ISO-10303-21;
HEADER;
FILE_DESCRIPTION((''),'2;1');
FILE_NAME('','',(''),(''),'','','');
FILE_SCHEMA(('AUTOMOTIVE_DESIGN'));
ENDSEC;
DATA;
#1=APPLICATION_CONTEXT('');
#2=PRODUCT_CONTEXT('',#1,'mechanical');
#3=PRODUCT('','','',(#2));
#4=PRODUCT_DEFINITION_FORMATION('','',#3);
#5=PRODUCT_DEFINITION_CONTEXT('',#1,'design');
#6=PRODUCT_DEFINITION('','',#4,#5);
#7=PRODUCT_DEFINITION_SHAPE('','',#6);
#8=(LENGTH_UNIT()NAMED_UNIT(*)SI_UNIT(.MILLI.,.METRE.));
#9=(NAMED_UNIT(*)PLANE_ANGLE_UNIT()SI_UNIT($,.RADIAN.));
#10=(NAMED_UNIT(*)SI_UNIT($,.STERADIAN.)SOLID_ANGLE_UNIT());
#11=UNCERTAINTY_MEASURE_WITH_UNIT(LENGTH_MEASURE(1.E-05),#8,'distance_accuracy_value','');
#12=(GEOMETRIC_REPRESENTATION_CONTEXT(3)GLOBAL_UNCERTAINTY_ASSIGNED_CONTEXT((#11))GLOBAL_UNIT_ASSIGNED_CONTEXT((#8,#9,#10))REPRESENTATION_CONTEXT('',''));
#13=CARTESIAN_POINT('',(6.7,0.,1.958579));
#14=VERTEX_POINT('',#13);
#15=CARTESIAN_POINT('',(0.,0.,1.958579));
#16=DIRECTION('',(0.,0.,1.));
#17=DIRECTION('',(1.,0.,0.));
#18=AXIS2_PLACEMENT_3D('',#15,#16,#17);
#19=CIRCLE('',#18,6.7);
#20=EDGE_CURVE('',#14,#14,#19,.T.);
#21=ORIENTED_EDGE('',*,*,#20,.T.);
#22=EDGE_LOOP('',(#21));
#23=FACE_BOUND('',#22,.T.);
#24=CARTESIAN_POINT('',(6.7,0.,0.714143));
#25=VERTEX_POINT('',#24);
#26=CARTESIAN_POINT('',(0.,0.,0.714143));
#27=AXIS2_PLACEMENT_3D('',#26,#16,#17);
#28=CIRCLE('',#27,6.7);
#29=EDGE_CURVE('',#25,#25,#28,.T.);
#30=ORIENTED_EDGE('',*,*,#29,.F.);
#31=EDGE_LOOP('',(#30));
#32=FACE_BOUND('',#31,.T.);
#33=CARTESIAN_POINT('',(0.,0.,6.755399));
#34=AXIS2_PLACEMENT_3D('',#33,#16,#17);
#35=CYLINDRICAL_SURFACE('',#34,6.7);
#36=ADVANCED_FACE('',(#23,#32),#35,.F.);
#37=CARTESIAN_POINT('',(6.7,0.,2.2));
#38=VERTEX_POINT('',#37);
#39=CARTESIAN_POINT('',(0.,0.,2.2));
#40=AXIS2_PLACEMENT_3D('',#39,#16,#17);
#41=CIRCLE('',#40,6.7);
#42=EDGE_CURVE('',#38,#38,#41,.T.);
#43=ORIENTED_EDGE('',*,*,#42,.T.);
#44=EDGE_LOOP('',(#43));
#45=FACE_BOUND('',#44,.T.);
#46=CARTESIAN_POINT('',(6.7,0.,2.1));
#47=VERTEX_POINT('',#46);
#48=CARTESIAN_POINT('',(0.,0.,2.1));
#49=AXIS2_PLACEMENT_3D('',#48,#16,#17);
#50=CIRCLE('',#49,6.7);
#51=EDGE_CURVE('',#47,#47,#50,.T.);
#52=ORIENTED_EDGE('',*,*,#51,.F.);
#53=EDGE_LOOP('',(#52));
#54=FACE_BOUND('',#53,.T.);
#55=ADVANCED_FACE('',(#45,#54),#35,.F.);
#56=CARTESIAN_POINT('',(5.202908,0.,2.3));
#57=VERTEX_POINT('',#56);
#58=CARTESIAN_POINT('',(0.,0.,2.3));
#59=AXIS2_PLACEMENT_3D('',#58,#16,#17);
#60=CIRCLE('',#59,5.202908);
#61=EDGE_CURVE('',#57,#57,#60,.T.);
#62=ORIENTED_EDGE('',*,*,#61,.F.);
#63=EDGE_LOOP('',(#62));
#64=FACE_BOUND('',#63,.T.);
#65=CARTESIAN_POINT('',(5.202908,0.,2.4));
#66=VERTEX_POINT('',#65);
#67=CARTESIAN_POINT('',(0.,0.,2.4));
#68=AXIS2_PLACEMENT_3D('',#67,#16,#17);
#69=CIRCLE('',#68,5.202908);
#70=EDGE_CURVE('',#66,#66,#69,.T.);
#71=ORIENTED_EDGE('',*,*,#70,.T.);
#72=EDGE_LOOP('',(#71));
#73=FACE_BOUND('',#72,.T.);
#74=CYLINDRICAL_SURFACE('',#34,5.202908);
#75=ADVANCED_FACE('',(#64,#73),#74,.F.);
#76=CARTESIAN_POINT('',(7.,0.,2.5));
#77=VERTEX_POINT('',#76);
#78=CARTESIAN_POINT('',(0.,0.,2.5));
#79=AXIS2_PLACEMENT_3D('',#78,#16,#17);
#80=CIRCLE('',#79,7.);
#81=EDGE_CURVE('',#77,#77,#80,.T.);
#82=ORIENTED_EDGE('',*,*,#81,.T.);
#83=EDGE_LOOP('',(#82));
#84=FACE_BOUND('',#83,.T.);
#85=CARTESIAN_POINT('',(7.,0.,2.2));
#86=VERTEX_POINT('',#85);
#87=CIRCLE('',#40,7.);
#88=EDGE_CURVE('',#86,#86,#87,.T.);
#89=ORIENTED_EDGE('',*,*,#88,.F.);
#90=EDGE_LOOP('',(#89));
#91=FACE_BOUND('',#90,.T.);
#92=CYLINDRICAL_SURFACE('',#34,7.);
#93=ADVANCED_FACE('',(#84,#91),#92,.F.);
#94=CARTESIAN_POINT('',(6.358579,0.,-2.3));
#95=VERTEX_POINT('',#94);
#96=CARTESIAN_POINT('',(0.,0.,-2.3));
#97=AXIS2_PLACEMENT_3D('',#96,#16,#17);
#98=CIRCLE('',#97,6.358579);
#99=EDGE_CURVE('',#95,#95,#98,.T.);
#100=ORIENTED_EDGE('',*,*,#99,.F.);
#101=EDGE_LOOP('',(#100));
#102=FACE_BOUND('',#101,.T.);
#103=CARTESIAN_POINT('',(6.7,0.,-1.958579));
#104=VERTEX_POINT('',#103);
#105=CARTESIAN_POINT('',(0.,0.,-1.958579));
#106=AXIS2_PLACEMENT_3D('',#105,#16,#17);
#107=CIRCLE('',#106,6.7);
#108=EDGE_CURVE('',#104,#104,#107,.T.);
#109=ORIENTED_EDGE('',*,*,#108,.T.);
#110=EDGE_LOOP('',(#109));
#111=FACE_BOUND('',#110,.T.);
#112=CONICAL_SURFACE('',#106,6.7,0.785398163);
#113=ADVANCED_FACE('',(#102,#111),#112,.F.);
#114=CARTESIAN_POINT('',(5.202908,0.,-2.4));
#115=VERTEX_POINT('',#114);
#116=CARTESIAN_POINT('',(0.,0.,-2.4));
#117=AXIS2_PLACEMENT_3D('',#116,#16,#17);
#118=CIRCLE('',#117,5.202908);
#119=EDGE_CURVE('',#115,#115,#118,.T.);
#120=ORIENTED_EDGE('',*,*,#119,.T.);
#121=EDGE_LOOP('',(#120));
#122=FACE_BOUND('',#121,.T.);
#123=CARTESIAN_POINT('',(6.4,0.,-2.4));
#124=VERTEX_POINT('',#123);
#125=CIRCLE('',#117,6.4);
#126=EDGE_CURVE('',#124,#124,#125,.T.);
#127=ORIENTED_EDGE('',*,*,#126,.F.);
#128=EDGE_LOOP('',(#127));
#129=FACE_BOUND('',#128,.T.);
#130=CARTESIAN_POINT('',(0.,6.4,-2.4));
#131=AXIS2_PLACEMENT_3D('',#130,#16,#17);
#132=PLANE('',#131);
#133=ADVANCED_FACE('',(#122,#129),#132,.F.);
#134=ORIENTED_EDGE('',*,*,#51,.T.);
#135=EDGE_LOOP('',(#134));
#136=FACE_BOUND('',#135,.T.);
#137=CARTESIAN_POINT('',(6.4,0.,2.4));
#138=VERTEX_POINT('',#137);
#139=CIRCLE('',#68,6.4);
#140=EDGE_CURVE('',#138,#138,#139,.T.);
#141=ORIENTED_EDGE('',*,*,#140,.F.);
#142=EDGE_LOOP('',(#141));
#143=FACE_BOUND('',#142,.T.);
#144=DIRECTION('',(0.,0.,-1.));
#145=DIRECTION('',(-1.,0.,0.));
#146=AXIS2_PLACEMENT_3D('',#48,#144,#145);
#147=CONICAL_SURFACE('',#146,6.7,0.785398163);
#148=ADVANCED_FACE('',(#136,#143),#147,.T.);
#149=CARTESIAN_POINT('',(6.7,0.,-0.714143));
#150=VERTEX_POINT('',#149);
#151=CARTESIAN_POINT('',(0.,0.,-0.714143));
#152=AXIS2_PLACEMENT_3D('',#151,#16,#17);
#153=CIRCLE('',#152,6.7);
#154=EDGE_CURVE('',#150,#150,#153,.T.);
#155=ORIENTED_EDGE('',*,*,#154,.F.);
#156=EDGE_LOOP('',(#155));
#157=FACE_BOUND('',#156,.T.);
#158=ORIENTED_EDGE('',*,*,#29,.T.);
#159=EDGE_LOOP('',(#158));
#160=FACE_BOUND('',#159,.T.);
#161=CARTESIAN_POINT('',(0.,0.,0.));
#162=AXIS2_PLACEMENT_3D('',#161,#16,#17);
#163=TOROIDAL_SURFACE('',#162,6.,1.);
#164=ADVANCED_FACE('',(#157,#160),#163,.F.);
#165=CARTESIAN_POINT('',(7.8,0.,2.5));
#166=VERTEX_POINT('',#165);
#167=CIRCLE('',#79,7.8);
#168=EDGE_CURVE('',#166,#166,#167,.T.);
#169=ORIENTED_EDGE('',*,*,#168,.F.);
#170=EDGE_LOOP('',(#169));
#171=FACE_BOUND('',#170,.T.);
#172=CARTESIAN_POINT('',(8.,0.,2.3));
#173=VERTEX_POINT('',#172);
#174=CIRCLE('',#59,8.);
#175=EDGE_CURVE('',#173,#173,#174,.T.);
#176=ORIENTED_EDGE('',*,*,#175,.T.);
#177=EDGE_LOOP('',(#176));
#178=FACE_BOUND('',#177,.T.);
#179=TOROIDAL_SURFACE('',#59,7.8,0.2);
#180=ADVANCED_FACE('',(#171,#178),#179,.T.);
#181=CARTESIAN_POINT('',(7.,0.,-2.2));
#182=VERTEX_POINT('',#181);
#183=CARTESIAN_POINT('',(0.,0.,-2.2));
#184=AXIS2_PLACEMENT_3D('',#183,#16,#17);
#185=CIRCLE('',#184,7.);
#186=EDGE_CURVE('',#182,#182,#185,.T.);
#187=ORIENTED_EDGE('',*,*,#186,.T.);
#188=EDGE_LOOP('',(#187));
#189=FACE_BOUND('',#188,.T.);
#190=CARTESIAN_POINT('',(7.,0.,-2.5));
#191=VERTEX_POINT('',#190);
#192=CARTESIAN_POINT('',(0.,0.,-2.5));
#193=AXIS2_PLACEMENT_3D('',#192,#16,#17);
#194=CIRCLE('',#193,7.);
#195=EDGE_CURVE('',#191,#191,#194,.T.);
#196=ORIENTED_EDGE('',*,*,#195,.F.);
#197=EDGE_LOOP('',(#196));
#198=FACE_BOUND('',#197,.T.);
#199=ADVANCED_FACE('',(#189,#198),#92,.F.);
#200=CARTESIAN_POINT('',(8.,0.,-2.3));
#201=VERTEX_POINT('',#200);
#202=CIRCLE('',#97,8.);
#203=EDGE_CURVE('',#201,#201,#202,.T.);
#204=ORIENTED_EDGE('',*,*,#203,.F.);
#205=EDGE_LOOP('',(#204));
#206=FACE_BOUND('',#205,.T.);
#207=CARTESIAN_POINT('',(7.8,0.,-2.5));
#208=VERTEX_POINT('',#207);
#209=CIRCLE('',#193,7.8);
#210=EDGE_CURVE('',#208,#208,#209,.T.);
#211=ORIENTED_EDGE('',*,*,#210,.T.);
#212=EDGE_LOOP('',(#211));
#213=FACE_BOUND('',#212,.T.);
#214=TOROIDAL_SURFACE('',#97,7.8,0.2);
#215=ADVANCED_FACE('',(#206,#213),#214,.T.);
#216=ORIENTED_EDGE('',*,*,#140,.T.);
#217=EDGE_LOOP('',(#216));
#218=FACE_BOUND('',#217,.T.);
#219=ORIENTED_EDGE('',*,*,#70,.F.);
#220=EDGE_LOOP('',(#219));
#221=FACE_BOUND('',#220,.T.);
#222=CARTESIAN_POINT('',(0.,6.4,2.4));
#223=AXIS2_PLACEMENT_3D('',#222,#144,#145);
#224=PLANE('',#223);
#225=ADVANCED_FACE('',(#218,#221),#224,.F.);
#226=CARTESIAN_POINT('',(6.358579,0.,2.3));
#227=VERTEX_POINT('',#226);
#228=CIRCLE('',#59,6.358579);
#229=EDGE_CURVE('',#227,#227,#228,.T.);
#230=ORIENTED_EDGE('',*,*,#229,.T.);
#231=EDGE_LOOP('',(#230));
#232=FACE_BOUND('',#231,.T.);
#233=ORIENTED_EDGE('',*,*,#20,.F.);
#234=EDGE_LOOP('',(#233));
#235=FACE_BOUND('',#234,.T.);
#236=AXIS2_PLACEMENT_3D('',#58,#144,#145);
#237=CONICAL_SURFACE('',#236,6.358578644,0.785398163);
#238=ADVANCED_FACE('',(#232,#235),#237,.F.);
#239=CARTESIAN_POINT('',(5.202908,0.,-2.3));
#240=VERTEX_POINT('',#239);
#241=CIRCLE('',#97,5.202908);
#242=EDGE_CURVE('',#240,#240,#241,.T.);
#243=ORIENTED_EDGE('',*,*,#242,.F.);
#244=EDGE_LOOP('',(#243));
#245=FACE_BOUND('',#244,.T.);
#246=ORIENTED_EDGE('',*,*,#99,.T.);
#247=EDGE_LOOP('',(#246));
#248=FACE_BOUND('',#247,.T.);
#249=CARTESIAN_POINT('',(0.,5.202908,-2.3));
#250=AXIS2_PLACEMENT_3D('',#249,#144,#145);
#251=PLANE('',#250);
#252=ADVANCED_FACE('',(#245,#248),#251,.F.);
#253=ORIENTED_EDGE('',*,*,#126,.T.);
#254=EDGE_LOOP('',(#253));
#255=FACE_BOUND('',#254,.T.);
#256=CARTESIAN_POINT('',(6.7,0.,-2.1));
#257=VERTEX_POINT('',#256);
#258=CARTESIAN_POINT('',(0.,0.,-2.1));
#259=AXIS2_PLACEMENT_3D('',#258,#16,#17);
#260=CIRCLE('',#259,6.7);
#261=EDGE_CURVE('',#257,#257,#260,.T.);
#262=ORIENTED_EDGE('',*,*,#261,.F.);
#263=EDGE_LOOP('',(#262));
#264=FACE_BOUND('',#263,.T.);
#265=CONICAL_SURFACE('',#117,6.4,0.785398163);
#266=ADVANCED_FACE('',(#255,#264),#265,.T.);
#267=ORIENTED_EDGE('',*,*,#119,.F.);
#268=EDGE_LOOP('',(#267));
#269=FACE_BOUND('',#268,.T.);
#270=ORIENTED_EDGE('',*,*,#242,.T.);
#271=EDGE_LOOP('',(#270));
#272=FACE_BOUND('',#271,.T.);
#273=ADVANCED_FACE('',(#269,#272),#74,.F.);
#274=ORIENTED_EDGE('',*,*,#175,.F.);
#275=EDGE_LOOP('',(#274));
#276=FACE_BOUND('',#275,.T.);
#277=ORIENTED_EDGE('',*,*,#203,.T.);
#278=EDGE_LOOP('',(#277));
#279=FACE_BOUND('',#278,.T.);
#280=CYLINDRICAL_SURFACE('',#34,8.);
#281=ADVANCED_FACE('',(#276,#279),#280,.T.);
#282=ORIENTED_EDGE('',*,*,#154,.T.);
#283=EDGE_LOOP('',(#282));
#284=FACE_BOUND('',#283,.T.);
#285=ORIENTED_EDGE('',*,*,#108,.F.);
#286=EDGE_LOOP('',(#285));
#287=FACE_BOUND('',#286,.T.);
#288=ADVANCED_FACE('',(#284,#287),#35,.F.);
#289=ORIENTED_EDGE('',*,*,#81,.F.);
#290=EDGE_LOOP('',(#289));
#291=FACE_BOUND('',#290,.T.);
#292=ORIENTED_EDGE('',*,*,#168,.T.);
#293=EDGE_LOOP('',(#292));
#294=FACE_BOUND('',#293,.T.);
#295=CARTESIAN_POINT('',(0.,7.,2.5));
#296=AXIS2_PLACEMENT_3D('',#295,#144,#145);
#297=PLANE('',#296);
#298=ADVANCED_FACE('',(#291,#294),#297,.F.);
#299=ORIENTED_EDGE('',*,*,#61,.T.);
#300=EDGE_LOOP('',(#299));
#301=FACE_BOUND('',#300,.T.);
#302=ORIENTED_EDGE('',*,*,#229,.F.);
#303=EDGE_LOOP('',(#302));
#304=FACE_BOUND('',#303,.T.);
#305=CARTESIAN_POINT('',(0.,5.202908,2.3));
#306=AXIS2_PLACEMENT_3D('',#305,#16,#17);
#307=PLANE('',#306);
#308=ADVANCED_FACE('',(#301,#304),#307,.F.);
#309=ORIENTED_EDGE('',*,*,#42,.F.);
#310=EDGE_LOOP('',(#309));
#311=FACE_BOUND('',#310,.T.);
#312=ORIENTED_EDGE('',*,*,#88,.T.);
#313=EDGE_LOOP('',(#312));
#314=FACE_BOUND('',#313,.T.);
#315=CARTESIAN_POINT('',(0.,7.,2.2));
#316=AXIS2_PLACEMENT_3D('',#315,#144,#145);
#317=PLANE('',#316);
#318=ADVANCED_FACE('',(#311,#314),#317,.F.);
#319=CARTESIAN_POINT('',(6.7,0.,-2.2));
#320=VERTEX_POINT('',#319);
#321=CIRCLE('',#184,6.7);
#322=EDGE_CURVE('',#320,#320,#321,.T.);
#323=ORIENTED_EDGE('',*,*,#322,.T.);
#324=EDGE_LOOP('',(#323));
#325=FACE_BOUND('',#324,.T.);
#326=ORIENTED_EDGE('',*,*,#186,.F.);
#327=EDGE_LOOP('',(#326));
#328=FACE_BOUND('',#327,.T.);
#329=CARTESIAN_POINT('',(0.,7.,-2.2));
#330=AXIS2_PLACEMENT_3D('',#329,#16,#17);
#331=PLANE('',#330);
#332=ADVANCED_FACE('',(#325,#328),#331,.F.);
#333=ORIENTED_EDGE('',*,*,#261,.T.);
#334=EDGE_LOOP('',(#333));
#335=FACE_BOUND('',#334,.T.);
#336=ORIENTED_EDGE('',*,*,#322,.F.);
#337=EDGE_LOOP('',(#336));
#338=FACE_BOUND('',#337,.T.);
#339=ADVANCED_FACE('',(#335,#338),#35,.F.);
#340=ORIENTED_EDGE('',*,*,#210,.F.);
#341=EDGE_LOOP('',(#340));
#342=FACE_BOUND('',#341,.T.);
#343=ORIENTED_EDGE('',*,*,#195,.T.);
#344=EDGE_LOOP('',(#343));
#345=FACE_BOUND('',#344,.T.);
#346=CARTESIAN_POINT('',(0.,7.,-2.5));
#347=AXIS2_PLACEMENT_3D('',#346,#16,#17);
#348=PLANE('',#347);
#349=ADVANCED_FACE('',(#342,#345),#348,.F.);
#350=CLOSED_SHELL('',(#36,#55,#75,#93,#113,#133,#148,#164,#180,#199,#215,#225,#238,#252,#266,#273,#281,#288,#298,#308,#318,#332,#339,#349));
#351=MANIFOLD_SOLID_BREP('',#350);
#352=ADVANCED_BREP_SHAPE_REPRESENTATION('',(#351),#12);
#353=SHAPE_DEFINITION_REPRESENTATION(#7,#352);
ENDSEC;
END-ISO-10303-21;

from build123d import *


with BuildPart() as part:
    # Sketch1 → Revolve1 (revolve)
    with BuildSketch(Plane(origin=(0, 0, 0), x_dir=(0, 0, -1), z_dir=(1, 0, 0))):
        with BuildLine():
            Line((-2.5, 7), (-2.5, 7.8))
            ThreePointArc((-2.5, 7.8), (-2.441421356, 7.941421356), (-2.3, 8))
            Line((-2.3, 8), (2.3, 8))
            ThreePointArc((2.3, 8), (2.441421356, 7.941421356), (2.5, 7.8))
            Line((2.5, 7.8), (2.5, 7))
            Line((2.5, 7), (2.2, 7))
            Line((2.2, 7), (2.2, 6.7))
            Line((2.2, 6.7), (2.1, 6.7))
            Line((2.1, 6.7), (2.4, 6.4))
            Line((2.4, 6.4), (2.4, 5.202907901))
            Line((2.4, 5.202907901), (2.3, 5.202907901))
            Line((2.3, 5.202907901), (2.3, 6.358578644))
            Line((2.3, 6.358578644), (1.958578644, 6.7))
            Line((1.958578644, 6.7), (0.714142843, 6.7))
            ThreePointArc((0.714142843, 6.7), (0, 7), (-0.714142843, 6.7))
            Line((-0.714142843, 6.7), (-1.958578644, 6.7))
            Line((-1.958578644, 6.7), (-2.3, 6.358578644))
            Line((-2.3, 6.358578644), (-2.3, 5.202907901))
            Line((-2.3, 5.202907901), (-2.4, 5.202907901))
            Line((-2.4, 5.202907901), (-2.4, 6.4))
            Line((-2.4, 6.4), (-2.1, 6.7))
            Line((-2.1, 6.7), (-2.2, 6.7))
            Line((-2.2, 6.7), (-2.2, 7))
            Line((-2.2, 7), (-2.5, 7))
        make_face()
    revolve(axis=Axis((0, 0, 6.755399071), (0, 0, -1)))


solid = part.part
